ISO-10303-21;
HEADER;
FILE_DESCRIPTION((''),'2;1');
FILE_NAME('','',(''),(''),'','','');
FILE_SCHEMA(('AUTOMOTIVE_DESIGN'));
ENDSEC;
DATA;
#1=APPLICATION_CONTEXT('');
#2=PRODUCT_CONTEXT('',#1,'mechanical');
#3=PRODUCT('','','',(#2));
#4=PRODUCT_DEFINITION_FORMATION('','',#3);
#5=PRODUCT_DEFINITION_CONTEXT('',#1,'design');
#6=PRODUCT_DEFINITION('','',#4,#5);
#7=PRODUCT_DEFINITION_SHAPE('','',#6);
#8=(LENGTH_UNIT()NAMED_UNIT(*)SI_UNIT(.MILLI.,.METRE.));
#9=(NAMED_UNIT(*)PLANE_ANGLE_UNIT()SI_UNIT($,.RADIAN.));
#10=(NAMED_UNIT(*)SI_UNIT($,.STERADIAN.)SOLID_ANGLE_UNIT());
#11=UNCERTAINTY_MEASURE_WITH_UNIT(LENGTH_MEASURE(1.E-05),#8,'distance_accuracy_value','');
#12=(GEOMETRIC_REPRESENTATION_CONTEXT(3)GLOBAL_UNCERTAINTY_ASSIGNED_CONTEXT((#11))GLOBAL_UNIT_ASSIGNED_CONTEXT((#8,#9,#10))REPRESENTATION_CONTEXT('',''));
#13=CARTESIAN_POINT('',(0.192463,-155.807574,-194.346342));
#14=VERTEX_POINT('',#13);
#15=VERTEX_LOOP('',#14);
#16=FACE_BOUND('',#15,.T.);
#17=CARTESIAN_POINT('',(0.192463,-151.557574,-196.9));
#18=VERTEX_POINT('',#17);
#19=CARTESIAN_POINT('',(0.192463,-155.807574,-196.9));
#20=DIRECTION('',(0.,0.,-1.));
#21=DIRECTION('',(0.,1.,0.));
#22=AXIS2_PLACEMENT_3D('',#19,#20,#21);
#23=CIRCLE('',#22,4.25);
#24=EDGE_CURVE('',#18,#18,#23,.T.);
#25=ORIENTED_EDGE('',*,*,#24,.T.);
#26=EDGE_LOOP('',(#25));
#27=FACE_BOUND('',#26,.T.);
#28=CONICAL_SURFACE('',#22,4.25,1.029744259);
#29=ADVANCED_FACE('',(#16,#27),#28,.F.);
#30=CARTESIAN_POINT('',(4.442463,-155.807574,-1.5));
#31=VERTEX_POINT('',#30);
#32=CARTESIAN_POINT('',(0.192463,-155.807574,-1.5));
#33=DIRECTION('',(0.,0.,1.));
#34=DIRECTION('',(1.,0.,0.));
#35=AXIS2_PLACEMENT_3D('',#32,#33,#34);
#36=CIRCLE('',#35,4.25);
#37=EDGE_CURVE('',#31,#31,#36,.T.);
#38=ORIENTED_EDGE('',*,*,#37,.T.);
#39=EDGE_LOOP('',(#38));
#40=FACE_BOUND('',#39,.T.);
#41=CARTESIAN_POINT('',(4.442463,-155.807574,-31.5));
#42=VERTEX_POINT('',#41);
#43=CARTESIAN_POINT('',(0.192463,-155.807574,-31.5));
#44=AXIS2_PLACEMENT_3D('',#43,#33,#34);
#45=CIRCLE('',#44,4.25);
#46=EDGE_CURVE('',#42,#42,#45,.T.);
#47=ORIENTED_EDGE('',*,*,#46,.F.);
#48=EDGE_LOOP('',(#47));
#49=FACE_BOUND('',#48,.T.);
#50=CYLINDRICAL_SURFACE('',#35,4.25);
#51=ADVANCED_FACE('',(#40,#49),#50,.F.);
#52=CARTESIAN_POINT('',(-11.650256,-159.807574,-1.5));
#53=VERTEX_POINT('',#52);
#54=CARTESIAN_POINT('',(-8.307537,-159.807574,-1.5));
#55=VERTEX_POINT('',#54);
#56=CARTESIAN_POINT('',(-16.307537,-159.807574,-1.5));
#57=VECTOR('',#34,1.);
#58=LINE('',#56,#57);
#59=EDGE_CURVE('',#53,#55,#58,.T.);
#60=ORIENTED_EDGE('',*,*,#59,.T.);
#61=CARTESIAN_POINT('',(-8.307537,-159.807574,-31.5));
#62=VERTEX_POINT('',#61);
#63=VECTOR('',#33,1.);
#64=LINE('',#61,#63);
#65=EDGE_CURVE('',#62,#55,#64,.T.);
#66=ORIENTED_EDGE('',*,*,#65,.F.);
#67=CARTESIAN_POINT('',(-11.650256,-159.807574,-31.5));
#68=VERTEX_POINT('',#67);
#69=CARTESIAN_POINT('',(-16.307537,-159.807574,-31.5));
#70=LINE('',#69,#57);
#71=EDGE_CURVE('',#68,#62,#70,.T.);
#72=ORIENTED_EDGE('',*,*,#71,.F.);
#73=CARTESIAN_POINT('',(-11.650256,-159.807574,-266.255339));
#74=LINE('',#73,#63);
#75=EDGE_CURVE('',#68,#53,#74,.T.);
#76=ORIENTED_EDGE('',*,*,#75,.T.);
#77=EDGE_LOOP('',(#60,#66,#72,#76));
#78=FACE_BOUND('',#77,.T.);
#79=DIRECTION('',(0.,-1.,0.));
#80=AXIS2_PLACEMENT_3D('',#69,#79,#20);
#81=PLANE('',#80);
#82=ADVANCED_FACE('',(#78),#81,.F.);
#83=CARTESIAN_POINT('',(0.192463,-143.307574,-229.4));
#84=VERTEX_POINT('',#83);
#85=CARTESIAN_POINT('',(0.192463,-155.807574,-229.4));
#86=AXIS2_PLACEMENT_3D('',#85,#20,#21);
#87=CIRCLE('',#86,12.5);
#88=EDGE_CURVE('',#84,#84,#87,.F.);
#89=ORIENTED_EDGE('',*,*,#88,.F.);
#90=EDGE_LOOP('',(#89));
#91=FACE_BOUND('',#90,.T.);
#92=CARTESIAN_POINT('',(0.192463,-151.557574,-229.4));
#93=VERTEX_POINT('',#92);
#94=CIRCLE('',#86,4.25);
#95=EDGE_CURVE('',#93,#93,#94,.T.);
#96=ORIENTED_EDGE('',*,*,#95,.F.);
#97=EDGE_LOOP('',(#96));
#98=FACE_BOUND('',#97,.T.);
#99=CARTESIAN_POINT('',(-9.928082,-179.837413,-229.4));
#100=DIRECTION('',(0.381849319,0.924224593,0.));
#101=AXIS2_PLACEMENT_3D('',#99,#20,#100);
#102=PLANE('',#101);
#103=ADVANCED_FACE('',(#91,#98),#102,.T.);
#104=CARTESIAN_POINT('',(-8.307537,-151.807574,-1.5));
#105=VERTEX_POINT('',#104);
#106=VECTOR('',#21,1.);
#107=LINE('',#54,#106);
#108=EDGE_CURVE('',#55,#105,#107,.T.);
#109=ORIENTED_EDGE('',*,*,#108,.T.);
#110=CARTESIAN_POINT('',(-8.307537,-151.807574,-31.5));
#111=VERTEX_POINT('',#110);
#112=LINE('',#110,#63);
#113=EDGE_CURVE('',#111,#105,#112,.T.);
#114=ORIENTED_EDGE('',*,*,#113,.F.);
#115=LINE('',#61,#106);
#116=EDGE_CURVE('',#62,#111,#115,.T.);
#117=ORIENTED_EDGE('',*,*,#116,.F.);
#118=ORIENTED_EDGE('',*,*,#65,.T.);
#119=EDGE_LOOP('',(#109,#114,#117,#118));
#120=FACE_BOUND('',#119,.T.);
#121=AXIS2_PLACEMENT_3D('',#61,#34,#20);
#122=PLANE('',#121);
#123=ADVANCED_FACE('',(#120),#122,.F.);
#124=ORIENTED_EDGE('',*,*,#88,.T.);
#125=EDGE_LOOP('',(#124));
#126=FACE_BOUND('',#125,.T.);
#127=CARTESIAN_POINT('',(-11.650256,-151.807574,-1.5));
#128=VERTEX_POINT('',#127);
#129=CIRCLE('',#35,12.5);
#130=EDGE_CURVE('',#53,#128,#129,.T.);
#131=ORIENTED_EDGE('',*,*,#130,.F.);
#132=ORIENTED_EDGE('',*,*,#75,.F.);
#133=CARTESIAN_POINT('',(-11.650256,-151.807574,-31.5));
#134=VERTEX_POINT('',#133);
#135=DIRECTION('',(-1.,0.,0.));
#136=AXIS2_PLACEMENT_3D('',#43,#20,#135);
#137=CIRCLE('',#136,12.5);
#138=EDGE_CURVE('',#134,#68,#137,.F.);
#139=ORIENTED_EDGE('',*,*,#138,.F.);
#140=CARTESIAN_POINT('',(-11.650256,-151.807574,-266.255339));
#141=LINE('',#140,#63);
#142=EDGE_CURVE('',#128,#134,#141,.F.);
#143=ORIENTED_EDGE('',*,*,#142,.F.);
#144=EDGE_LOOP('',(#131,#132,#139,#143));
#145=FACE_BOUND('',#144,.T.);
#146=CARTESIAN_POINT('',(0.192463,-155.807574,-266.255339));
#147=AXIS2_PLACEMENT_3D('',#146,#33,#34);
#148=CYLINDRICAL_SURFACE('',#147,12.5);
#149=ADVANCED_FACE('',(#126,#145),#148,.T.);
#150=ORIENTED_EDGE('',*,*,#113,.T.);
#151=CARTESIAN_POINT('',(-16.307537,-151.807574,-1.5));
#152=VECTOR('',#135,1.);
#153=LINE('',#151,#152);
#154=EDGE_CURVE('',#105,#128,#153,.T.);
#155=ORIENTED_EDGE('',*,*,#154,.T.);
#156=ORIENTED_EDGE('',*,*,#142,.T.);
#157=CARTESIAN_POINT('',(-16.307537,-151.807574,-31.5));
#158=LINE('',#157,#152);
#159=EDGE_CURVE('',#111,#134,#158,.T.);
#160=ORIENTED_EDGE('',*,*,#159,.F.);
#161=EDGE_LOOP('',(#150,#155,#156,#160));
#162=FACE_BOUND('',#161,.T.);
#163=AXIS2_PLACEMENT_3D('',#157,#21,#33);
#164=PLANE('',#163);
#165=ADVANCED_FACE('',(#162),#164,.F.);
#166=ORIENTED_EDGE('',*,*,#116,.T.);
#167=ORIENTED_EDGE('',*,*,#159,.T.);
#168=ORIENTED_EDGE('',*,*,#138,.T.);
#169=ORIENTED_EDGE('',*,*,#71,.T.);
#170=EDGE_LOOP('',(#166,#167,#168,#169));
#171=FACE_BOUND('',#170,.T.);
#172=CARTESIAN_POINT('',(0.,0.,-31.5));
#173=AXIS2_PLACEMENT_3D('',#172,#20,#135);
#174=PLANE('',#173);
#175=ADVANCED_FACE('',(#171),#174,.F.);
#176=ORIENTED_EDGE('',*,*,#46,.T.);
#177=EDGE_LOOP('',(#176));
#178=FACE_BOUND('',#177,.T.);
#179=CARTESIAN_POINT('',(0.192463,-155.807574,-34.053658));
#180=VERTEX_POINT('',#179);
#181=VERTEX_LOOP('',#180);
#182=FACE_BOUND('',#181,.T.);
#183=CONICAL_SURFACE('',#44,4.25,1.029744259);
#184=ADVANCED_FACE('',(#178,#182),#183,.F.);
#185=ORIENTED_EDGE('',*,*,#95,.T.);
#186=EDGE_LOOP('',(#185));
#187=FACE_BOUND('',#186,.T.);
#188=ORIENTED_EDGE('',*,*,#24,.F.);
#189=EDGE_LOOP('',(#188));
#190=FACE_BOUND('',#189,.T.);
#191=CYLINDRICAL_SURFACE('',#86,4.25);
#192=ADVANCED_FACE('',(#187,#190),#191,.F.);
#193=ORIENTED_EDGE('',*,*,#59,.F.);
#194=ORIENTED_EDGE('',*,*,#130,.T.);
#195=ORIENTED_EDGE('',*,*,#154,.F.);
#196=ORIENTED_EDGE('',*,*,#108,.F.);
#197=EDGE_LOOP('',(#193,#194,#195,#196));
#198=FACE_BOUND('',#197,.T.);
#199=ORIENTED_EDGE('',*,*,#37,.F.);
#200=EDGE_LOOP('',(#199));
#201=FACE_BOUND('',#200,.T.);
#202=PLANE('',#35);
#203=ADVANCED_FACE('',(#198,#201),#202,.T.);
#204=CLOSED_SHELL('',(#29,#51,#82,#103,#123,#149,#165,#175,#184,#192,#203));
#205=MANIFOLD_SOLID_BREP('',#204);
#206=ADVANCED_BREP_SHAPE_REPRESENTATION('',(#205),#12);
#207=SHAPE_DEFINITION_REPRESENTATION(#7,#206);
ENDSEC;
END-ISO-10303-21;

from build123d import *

# Parameters (mm, degrees)
EXTRUDE_START          = -1.5
SKETCH_1_R             = 12.5
EXTRUDE_1_DEPTH        = 227.9
HOLE_WIZARD_M101_D     = 8.5
HOLE_WIZARD_M101_DEPTH = 30
HOLE_WIZARD_M101_TIP   = 2.553657631
HOLE_WIZARD_M102_D     = 8.5
HOLE_WIZARD_M102_DEPTH = 32.5
HOLE_WIZARD_M102_TIP   = 2.553657631
SKETCH_6_W             = 8
SKETCH_6_H             = 8
CUT_EXTRUDE_1_DEPTH    = 30


with BuildPart() as part:
    # Эскиз1 → Бобышка-Вытянуть1 (new body)
    with BuildSketch(Plane.XY.offset(EXTRUDE_START)):
        with Locations((0.192463074, -155.807573628)):
            Circle(SKETCH_1_R)
    extrude(amount=-EXTRUDE_1_DEPTH)

    # Отверстие обработанное метчиком M101
    with Locations(Plane.XY.offset(-1.5)):
        with Locations((0.192463074, -155.807573628)):
            Hole(HOLE_WIZARD_M101_D / 2, depth=HOLE_WIZARD_M101_DEPTH)
            with Locations((0, 0, -(HOLE_WIZARD_M101_DEPTH + HOLE_WIZARD_M101_TIP / 2))):  # 118° drill point
                Cone(0, HOLE_WIZARD_M101_D / 2, HOLE_WIZARD_M101_TIP, mode=Mode.SUBTRACT)

    # Отверстие обработанное метчиком M102
    with Locations(Plane(origin=(0, 0, -229.4), x_dir=(-1, 0, 0), z_dir=(0, 0, -1))):
        with Locations((-0.192463074, -155.807573628)):
            Hole(HOLE_WIZARD_M102_D / 2, depth=HOLE_WIZARD_M102_DEPTH)
            with Locations((0, 0, -(HOLE_WIZARD_M102_DEPTH + HOLE_WIZARD_M102_TIP / 2))):  # 118° drill point
                Cone(0, HOLE_WIZARD_M102_D / 2, HOLE_WIZARD_M102_TIP, mode=Mode.SUBTRACT)

    # Эскиз6 → Вырез-Вытянуть1 (cut)
    with BuildSketch(Plane.XY.offset(-1.5)):
        with Locations((-12.307536926, -155.807573628)):
            Rectangle(SKETCH_6_W, SKETCH_6_H)
    extrude(amount=-CUT_EXTRUDE_1_DEPTH, mode=Mode.SUBTRACT)


solid = part.part
